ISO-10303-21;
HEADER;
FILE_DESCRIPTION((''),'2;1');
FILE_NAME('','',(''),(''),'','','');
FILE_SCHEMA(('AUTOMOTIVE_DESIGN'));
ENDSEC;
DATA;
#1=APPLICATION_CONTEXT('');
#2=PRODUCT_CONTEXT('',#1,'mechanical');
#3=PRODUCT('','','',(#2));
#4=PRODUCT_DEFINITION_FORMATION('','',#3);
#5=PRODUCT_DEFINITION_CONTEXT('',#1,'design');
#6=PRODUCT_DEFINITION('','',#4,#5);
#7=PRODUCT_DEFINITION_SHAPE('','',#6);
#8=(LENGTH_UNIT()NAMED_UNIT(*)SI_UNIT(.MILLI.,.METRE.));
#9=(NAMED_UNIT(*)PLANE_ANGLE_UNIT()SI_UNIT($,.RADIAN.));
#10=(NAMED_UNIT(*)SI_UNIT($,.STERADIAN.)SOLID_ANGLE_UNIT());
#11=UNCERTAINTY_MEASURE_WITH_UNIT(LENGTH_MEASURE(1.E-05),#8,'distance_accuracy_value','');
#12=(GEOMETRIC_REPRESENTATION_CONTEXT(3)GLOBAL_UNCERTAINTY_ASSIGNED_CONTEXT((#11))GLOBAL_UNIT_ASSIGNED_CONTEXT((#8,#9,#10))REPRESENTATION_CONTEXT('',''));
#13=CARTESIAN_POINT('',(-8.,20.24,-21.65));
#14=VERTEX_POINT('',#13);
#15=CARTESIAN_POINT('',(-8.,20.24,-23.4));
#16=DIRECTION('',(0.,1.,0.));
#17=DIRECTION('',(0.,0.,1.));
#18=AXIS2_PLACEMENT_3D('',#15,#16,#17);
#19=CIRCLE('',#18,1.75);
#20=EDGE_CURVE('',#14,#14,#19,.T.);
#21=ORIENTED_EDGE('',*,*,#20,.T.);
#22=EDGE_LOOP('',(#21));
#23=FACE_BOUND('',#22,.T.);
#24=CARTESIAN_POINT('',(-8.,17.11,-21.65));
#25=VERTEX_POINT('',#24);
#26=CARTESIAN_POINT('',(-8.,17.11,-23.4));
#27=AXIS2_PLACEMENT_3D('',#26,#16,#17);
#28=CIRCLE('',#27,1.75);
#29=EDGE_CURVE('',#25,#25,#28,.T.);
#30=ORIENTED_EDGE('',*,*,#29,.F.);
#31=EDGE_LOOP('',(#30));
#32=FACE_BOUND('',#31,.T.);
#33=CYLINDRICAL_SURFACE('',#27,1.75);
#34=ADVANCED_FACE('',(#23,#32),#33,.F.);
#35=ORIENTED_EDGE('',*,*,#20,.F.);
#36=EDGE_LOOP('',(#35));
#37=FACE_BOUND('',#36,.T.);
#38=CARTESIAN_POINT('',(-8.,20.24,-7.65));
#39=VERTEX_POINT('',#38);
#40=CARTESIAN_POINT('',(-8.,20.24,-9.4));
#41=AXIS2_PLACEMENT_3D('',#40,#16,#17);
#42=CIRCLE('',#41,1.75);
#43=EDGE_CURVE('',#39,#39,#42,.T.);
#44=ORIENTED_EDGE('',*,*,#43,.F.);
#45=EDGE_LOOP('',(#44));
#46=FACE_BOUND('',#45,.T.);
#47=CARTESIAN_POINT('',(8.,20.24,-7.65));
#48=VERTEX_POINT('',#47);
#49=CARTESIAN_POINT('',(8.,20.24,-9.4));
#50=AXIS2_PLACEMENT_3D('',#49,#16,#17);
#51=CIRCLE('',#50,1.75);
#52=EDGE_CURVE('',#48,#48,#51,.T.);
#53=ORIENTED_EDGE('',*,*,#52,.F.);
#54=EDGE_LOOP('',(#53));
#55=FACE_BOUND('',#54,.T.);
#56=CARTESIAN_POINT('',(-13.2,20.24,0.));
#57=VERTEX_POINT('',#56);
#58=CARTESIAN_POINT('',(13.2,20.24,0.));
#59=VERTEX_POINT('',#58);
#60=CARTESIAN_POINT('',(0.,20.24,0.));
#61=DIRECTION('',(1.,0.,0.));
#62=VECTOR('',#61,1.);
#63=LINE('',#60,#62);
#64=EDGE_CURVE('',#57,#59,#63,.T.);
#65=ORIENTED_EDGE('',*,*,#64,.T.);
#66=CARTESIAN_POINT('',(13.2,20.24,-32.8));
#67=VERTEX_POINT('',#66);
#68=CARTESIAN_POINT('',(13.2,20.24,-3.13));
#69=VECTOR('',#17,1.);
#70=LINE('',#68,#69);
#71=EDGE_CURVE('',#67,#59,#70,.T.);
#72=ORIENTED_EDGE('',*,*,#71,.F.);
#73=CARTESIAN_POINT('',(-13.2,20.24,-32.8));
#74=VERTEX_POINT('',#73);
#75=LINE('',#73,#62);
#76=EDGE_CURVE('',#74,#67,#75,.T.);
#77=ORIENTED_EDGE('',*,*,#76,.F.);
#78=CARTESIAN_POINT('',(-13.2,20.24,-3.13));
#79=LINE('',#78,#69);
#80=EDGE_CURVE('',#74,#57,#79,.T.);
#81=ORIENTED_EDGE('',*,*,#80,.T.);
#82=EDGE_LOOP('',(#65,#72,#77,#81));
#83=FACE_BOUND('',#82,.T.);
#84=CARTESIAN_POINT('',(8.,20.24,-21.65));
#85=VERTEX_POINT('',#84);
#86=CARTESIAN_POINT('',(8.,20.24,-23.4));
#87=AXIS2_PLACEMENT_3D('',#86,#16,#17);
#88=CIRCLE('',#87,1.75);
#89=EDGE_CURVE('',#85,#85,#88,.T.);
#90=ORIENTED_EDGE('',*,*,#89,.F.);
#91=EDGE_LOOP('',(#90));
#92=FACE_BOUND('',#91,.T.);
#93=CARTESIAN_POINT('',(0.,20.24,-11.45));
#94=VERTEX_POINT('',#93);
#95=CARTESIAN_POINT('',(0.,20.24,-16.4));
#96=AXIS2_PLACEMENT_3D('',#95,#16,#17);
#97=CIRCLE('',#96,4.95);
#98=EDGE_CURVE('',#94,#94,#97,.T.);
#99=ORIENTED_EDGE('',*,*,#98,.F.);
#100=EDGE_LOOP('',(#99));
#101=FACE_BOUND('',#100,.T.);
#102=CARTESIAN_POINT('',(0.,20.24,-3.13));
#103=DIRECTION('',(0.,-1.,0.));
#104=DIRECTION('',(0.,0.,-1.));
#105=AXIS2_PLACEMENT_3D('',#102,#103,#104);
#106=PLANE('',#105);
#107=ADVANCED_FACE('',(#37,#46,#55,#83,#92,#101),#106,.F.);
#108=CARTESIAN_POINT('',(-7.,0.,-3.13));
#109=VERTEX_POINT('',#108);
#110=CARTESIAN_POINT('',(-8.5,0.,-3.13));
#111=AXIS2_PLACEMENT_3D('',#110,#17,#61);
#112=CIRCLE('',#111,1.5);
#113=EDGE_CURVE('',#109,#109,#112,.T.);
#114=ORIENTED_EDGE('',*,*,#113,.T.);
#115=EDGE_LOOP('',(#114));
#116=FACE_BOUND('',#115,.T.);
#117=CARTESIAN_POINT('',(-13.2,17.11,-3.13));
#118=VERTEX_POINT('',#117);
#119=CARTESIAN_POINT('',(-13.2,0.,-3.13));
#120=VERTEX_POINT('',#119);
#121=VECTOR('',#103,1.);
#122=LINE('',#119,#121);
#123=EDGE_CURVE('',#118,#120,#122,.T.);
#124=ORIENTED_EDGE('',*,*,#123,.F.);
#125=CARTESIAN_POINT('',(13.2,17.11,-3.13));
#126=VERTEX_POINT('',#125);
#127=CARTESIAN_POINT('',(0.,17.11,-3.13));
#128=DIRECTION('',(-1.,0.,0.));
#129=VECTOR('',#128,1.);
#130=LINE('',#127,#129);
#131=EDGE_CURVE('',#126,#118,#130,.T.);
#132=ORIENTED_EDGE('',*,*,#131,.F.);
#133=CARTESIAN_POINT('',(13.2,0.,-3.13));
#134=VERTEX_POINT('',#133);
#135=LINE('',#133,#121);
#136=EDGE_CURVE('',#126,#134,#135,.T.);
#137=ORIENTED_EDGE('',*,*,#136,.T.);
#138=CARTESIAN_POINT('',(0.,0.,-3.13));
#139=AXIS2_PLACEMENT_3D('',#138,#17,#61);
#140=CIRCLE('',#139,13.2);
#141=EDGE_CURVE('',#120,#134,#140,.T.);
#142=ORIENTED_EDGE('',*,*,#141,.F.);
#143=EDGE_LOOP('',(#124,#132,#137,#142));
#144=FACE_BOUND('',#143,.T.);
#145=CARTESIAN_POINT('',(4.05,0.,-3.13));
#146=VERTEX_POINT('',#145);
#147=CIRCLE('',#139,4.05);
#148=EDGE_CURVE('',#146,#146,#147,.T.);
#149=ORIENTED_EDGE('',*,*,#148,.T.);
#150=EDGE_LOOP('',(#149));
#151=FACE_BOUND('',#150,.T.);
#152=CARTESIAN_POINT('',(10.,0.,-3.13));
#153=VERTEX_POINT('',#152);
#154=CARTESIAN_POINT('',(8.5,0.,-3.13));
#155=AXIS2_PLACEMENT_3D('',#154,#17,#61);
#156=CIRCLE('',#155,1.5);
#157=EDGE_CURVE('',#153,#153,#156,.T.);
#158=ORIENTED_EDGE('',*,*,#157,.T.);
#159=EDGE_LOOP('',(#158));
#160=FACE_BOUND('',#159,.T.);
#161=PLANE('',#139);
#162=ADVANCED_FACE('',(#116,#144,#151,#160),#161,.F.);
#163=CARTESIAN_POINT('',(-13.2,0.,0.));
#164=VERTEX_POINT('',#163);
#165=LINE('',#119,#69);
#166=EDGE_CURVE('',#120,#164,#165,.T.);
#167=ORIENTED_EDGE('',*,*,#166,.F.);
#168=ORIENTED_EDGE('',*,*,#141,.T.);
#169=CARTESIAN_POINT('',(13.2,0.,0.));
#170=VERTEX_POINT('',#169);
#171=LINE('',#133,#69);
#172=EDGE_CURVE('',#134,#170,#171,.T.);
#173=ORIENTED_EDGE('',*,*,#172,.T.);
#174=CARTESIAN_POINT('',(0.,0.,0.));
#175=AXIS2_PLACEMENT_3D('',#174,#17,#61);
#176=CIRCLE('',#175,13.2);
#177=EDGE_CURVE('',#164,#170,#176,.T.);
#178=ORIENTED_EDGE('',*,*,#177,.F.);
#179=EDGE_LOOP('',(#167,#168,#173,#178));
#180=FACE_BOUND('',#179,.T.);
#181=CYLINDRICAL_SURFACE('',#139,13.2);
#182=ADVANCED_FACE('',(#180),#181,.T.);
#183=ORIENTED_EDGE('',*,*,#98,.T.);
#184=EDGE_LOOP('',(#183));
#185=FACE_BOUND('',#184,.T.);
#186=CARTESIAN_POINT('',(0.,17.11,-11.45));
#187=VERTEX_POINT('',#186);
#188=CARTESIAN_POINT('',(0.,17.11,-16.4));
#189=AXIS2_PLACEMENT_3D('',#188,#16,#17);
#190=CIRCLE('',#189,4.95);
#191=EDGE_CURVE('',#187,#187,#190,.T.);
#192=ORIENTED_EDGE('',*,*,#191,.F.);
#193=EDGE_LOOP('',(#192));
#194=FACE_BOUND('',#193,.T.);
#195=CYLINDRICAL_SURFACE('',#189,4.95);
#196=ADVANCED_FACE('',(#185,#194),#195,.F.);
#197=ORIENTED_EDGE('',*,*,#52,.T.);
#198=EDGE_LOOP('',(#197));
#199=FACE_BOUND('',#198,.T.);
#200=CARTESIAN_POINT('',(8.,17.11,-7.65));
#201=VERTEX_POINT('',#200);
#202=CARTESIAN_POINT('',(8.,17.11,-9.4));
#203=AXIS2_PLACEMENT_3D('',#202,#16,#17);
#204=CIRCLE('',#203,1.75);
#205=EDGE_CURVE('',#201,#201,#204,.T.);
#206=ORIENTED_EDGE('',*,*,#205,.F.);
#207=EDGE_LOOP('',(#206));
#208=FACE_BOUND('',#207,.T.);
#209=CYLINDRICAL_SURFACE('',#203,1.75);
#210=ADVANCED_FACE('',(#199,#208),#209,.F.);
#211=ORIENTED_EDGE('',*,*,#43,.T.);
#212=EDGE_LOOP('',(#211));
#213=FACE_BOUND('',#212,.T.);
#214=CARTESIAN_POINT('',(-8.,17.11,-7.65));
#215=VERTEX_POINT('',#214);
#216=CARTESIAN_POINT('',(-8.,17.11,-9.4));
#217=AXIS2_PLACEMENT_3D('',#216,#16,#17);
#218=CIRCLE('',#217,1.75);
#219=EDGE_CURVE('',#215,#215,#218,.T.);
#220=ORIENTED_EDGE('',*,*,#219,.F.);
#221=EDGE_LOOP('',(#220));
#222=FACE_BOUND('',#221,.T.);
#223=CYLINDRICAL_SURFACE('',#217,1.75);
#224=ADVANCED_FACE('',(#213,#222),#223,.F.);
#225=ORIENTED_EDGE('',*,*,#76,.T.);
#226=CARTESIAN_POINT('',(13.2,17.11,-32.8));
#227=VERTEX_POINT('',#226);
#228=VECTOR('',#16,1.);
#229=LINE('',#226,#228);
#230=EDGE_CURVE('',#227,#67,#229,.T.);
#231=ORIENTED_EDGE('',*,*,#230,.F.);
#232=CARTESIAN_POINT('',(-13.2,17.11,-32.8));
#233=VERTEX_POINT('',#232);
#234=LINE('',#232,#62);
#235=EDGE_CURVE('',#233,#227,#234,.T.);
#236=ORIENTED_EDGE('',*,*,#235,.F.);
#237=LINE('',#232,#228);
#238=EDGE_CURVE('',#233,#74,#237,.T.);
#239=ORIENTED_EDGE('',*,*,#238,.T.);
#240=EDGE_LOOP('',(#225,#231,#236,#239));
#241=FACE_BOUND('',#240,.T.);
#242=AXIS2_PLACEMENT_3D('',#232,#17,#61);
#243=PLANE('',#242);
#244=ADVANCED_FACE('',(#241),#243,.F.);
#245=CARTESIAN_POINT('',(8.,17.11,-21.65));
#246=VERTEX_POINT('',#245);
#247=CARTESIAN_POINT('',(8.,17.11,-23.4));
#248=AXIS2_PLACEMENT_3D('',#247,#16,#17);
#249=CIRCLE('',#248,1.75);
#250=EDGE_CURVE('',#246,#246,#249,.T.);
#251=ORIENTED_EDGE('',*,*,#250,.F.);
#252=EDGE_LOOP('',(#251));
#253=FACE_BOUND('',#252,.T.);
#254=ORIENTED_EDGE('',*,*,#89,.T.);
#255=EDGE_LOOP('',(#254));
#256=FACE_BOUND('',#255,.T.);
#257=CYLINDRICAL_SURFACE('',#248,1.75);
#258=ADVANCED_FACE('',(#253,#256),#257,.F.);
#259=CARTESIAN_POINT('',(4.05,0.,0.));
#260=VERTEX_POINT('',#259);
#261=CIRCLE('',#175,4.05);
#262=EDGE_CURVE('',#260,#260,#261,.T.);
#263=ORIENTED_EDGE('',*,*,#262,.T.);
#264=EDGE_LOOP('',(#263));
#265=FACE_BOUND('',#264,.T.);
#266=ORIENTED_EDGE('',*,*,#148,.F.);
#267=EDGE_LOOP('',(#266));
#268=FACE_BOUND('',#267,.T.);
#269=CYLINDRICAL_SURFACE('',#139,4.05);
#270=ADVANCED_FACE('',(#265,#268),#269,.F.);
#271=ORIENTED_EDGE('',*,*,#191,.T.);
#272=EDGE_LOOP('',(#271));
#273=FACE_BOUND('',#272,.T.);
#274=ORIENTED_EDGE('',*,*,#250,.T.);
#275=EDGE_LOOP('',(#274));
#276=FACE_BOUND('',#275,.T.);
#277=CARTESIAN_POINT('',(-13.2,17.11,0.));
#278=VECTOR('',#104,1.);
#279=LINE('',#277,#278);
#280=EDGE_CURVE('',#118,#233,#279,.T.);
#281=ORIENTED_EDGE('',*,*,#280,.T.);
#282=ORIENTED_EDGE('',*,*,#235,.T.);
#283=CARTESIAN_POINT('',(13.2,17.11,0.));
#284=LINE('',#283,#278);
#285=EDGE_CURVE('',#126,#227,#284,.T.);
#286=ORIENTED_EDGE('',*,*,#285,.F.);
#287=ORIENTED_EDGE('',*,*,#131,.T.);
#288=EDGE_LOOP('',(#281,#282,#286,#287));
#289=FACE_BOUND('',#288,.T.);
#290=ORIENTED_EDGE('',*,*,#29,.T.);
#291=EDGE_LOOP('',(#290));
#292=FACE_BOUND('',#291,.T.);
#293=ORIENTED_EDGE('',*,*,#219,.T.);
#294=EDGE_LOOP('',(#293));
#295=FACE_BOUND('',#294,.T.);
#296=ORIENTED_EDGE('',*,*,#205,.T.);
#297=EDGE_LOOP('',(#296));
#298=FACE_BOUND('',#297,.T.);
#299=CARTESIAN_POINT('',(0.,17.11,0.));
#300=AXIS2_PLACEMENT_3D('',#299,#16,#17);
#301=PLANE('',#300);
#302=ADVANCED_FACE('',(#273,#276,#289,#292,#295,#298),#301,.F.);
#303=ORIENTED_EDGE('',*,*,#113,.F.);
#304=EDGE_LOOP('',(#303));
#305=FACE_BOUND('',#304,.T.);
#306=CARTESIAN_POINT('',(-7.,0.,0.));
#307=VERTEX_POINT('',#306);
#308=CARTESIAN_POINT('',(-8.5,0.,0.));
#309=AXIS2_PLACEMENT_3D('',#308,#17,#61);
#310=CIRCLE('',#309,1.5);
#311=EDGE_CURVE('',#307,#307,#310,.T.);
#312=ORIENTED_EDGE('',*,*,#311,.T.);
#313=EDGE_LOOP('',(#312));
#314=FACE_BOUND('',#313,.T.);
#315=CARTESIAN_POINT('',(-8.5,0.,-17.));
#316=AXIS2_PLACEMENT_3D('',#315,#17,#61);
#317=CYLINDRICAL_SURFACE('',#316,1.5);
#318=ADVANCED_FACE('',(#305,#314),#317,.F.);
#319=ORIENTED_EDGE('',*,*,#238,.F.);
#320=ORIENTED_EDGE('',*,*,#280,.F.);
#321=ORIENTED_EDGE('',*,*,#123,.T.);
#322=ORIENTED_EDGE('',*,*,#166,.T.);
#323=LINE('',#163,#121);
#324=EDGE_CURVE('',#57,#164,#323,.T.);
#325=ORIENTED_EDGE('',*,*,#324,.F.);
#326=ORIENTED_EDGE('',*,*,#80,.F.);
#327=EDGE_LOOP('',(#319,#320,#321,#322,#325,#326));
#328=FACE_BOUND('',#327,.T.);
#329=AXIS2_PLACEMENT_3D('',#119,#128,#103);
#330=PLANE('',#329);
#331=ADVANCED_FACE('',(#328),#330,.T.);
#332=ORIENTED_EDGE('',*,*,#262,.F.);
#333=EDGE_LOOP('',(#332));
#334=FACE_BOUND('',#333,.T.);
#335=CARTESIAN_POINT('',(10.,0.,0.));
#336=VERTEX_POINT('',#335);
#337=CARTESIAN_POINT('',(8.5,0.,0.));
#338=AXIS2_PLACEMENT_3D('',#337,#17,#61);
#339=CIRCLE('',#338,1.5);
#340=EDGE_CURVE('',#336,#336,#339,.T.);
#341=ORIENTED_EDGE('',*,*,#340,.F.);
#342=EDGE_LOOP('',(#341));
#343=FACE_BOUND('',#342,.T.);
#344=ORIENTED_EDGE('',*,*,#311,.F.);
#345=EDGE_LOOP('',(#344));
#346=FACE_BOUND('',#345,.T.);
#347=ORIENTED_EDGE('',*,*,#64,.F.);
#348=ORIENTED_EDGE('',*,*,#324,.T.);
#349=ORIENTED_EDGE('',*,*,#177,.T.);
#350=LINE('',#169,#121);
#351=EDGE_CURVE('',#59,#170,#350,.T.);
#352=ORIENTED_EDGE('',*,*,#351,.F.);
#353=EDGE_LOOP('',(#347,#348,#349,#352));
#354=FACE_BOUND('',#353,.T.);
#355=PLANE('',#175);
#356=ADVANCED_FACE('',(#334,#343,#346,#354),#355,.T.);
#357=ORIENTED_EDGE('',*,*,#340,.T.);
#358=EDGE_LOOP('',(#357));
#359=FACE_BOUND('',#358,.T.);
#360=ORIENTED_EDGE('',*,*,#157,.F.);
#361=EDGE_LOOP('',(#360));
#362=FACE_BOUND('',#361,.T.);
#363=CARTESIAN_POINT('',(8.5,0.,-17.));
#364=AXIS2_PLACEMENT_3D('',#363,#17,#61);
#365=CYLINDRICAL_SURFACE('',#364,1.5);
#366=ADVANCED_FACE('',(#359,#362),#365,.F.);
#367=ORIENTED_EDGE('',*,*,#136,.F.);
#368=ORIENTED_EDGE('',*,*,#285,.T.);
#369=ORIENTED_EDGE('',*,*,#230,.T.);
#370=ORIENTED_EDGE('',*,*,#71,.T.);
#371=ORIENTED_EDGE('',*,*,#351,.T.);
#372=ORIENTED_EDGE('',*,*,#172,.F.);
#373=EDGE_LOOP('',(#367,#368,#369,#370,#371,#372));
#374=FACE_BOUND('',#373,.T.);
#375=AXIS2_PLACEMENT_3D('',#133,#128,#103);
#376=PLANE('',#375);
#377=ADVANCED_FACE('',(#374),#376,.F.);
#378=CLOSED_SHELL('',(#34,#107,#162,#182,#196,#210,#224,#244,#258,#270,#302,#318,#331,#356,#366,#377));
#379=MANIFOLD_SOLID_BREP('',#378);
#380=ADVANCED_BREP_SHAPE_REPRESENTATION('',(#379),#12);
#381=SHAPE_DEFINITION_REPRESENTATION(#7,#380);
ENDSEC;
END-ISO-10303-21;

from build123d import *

# Parameters (mm, degrees)
BOSS_EXTRUDE1_DEPTH = 3.13
SKETCH2_R           = 4.05
CUT_EXTRUDE1_DEPTH  = 3.13
SKETCH3_R           = 1.5
CUT_EXTRUDE2_DEPTH  = 17
SKETCH4_W           = 26.4
SKETCH4_H           = 32.8
BOSS_EXTRUDE2_DEPTH = 3.13
SKETCH5_R           = 4.95
CUT_EXTRUDE3_DEPTH  = 3.13
SKETCH6_R           = 1.75
CUT_EXTRUDE4_DEPTH  = 3.13


with BuildPart() as part:
    # Sketch1 → Boss-Extrude1 (new body)
    with BuildSketch(Plane.XY):
        with BuildLine():
            Line((-13.2, 20.24), (-13.2, 0))
            ThreePointArc((-13.2, 0), (0, 13.2), (13.2, 0))
            Line((13.2, 0), (13.2, 20.24))
            Line((13.2, 20.24), (-13.2, 20.24))
        make_face()
        with BuildLine():
            Line((-13.2, 0), (0, 0))
            Line((0, 0), (13.2, 0))
            ThreePointArc((13.2, 0), (0, 13.2), (-13.2, 0))
        make_face()
        with BuildLine():
            Line((13.2, 0), (0, 0))
            Line((0, 0), (0, -13.2))
            ThreePointArc((0, -13.2), (9.333809512, -9.333809512), (13.2, 0))
        make_face()
        with BuildLine():
            Line((0, -13.2), (0, 0))
            Line((0, 0), (-13.2, 0))
            ThreePointArc((-13.2, 0), (-9.333809512, -9.333809512), (0, -13.2))
        make_face()
    extrude(amount=-BOSS_EXTRUDE1_DEPTH)

    # Sketch2 → Cut-Extrude1 (cut)
    with BuildSketch(Plane.XY):
        Circle(SKETCH2_R)
    extrude(amount=-CUT_EXTRUDE1_DEPTH, mode=Mode.SUBTRACT)

    # Sketch3 → Cut-Extrude2 (cut)
    with BuildSketch(Plane.XY):
        with Locations((8.5, 0)):
            Circle(SKETCH3_R)
        with Locations((-8.5, 0)):
            Circle(SKETCH3_R)
    extrude(amount=-CUT_EXTRUDE2_DEPTH, mode=Mode.SUBTRACT)

    # Sketch4 → Boss-Extrude2 (add)
    with BuildSketch(Plane(origin=(0, 20.24, 0), x_dir=(1, 0, 0), z_dir=(0, 1, 0))):
        with Locations((0, 16.4)):
            Rectangle(SKETCH4_W, SKETCH4_H)
    extrude(amount=-BOSS_EXTRUDE2_DEPTH)

    # Sketch5 → Cut-Extrude3 (cut)
    with BuildSketch(Plane(origin=(0, 20.24, 0), x_dir=(1, 0, 0), z_dir=(0, 1, 0))):
        with Locations(Location((0, 16.4, 0), (0, 0, 270))):
            Circle(SKETCH5_R)
    extrude(amount=-CUT_EXTRUDE3_DEPTH, mode=Mode.SUBTRACT)

    # Sketch6 → Cut-Extrude4 (cut)
    with BuildSketch(Plane(origin=(0, 20.24, 0), x_dir=(1, 0, 0), z_dir=(0, 1, 0))):
        with Locations(Location((8, 23.4, 0), (0, 0, 270))):
            Circle(SKETCH6_R)
        with Locations(Location((8, 9.4, 0), (0, 0, 270))):
            Circle(SKETCH6_R)
        with Locations(Location((-8, 9.4, 0), (0, 0, 270))):
            Circle(SKETCH6_R)
        with Locations(Location((-8, 23.4, 0), (0, 0, 270))):
            Circle(SKETCH6_R)
    extrude(amount=-CUT_EXTRUDE4_DEPTH, mode=Mode.SUBTRACT)


solid = part.part
